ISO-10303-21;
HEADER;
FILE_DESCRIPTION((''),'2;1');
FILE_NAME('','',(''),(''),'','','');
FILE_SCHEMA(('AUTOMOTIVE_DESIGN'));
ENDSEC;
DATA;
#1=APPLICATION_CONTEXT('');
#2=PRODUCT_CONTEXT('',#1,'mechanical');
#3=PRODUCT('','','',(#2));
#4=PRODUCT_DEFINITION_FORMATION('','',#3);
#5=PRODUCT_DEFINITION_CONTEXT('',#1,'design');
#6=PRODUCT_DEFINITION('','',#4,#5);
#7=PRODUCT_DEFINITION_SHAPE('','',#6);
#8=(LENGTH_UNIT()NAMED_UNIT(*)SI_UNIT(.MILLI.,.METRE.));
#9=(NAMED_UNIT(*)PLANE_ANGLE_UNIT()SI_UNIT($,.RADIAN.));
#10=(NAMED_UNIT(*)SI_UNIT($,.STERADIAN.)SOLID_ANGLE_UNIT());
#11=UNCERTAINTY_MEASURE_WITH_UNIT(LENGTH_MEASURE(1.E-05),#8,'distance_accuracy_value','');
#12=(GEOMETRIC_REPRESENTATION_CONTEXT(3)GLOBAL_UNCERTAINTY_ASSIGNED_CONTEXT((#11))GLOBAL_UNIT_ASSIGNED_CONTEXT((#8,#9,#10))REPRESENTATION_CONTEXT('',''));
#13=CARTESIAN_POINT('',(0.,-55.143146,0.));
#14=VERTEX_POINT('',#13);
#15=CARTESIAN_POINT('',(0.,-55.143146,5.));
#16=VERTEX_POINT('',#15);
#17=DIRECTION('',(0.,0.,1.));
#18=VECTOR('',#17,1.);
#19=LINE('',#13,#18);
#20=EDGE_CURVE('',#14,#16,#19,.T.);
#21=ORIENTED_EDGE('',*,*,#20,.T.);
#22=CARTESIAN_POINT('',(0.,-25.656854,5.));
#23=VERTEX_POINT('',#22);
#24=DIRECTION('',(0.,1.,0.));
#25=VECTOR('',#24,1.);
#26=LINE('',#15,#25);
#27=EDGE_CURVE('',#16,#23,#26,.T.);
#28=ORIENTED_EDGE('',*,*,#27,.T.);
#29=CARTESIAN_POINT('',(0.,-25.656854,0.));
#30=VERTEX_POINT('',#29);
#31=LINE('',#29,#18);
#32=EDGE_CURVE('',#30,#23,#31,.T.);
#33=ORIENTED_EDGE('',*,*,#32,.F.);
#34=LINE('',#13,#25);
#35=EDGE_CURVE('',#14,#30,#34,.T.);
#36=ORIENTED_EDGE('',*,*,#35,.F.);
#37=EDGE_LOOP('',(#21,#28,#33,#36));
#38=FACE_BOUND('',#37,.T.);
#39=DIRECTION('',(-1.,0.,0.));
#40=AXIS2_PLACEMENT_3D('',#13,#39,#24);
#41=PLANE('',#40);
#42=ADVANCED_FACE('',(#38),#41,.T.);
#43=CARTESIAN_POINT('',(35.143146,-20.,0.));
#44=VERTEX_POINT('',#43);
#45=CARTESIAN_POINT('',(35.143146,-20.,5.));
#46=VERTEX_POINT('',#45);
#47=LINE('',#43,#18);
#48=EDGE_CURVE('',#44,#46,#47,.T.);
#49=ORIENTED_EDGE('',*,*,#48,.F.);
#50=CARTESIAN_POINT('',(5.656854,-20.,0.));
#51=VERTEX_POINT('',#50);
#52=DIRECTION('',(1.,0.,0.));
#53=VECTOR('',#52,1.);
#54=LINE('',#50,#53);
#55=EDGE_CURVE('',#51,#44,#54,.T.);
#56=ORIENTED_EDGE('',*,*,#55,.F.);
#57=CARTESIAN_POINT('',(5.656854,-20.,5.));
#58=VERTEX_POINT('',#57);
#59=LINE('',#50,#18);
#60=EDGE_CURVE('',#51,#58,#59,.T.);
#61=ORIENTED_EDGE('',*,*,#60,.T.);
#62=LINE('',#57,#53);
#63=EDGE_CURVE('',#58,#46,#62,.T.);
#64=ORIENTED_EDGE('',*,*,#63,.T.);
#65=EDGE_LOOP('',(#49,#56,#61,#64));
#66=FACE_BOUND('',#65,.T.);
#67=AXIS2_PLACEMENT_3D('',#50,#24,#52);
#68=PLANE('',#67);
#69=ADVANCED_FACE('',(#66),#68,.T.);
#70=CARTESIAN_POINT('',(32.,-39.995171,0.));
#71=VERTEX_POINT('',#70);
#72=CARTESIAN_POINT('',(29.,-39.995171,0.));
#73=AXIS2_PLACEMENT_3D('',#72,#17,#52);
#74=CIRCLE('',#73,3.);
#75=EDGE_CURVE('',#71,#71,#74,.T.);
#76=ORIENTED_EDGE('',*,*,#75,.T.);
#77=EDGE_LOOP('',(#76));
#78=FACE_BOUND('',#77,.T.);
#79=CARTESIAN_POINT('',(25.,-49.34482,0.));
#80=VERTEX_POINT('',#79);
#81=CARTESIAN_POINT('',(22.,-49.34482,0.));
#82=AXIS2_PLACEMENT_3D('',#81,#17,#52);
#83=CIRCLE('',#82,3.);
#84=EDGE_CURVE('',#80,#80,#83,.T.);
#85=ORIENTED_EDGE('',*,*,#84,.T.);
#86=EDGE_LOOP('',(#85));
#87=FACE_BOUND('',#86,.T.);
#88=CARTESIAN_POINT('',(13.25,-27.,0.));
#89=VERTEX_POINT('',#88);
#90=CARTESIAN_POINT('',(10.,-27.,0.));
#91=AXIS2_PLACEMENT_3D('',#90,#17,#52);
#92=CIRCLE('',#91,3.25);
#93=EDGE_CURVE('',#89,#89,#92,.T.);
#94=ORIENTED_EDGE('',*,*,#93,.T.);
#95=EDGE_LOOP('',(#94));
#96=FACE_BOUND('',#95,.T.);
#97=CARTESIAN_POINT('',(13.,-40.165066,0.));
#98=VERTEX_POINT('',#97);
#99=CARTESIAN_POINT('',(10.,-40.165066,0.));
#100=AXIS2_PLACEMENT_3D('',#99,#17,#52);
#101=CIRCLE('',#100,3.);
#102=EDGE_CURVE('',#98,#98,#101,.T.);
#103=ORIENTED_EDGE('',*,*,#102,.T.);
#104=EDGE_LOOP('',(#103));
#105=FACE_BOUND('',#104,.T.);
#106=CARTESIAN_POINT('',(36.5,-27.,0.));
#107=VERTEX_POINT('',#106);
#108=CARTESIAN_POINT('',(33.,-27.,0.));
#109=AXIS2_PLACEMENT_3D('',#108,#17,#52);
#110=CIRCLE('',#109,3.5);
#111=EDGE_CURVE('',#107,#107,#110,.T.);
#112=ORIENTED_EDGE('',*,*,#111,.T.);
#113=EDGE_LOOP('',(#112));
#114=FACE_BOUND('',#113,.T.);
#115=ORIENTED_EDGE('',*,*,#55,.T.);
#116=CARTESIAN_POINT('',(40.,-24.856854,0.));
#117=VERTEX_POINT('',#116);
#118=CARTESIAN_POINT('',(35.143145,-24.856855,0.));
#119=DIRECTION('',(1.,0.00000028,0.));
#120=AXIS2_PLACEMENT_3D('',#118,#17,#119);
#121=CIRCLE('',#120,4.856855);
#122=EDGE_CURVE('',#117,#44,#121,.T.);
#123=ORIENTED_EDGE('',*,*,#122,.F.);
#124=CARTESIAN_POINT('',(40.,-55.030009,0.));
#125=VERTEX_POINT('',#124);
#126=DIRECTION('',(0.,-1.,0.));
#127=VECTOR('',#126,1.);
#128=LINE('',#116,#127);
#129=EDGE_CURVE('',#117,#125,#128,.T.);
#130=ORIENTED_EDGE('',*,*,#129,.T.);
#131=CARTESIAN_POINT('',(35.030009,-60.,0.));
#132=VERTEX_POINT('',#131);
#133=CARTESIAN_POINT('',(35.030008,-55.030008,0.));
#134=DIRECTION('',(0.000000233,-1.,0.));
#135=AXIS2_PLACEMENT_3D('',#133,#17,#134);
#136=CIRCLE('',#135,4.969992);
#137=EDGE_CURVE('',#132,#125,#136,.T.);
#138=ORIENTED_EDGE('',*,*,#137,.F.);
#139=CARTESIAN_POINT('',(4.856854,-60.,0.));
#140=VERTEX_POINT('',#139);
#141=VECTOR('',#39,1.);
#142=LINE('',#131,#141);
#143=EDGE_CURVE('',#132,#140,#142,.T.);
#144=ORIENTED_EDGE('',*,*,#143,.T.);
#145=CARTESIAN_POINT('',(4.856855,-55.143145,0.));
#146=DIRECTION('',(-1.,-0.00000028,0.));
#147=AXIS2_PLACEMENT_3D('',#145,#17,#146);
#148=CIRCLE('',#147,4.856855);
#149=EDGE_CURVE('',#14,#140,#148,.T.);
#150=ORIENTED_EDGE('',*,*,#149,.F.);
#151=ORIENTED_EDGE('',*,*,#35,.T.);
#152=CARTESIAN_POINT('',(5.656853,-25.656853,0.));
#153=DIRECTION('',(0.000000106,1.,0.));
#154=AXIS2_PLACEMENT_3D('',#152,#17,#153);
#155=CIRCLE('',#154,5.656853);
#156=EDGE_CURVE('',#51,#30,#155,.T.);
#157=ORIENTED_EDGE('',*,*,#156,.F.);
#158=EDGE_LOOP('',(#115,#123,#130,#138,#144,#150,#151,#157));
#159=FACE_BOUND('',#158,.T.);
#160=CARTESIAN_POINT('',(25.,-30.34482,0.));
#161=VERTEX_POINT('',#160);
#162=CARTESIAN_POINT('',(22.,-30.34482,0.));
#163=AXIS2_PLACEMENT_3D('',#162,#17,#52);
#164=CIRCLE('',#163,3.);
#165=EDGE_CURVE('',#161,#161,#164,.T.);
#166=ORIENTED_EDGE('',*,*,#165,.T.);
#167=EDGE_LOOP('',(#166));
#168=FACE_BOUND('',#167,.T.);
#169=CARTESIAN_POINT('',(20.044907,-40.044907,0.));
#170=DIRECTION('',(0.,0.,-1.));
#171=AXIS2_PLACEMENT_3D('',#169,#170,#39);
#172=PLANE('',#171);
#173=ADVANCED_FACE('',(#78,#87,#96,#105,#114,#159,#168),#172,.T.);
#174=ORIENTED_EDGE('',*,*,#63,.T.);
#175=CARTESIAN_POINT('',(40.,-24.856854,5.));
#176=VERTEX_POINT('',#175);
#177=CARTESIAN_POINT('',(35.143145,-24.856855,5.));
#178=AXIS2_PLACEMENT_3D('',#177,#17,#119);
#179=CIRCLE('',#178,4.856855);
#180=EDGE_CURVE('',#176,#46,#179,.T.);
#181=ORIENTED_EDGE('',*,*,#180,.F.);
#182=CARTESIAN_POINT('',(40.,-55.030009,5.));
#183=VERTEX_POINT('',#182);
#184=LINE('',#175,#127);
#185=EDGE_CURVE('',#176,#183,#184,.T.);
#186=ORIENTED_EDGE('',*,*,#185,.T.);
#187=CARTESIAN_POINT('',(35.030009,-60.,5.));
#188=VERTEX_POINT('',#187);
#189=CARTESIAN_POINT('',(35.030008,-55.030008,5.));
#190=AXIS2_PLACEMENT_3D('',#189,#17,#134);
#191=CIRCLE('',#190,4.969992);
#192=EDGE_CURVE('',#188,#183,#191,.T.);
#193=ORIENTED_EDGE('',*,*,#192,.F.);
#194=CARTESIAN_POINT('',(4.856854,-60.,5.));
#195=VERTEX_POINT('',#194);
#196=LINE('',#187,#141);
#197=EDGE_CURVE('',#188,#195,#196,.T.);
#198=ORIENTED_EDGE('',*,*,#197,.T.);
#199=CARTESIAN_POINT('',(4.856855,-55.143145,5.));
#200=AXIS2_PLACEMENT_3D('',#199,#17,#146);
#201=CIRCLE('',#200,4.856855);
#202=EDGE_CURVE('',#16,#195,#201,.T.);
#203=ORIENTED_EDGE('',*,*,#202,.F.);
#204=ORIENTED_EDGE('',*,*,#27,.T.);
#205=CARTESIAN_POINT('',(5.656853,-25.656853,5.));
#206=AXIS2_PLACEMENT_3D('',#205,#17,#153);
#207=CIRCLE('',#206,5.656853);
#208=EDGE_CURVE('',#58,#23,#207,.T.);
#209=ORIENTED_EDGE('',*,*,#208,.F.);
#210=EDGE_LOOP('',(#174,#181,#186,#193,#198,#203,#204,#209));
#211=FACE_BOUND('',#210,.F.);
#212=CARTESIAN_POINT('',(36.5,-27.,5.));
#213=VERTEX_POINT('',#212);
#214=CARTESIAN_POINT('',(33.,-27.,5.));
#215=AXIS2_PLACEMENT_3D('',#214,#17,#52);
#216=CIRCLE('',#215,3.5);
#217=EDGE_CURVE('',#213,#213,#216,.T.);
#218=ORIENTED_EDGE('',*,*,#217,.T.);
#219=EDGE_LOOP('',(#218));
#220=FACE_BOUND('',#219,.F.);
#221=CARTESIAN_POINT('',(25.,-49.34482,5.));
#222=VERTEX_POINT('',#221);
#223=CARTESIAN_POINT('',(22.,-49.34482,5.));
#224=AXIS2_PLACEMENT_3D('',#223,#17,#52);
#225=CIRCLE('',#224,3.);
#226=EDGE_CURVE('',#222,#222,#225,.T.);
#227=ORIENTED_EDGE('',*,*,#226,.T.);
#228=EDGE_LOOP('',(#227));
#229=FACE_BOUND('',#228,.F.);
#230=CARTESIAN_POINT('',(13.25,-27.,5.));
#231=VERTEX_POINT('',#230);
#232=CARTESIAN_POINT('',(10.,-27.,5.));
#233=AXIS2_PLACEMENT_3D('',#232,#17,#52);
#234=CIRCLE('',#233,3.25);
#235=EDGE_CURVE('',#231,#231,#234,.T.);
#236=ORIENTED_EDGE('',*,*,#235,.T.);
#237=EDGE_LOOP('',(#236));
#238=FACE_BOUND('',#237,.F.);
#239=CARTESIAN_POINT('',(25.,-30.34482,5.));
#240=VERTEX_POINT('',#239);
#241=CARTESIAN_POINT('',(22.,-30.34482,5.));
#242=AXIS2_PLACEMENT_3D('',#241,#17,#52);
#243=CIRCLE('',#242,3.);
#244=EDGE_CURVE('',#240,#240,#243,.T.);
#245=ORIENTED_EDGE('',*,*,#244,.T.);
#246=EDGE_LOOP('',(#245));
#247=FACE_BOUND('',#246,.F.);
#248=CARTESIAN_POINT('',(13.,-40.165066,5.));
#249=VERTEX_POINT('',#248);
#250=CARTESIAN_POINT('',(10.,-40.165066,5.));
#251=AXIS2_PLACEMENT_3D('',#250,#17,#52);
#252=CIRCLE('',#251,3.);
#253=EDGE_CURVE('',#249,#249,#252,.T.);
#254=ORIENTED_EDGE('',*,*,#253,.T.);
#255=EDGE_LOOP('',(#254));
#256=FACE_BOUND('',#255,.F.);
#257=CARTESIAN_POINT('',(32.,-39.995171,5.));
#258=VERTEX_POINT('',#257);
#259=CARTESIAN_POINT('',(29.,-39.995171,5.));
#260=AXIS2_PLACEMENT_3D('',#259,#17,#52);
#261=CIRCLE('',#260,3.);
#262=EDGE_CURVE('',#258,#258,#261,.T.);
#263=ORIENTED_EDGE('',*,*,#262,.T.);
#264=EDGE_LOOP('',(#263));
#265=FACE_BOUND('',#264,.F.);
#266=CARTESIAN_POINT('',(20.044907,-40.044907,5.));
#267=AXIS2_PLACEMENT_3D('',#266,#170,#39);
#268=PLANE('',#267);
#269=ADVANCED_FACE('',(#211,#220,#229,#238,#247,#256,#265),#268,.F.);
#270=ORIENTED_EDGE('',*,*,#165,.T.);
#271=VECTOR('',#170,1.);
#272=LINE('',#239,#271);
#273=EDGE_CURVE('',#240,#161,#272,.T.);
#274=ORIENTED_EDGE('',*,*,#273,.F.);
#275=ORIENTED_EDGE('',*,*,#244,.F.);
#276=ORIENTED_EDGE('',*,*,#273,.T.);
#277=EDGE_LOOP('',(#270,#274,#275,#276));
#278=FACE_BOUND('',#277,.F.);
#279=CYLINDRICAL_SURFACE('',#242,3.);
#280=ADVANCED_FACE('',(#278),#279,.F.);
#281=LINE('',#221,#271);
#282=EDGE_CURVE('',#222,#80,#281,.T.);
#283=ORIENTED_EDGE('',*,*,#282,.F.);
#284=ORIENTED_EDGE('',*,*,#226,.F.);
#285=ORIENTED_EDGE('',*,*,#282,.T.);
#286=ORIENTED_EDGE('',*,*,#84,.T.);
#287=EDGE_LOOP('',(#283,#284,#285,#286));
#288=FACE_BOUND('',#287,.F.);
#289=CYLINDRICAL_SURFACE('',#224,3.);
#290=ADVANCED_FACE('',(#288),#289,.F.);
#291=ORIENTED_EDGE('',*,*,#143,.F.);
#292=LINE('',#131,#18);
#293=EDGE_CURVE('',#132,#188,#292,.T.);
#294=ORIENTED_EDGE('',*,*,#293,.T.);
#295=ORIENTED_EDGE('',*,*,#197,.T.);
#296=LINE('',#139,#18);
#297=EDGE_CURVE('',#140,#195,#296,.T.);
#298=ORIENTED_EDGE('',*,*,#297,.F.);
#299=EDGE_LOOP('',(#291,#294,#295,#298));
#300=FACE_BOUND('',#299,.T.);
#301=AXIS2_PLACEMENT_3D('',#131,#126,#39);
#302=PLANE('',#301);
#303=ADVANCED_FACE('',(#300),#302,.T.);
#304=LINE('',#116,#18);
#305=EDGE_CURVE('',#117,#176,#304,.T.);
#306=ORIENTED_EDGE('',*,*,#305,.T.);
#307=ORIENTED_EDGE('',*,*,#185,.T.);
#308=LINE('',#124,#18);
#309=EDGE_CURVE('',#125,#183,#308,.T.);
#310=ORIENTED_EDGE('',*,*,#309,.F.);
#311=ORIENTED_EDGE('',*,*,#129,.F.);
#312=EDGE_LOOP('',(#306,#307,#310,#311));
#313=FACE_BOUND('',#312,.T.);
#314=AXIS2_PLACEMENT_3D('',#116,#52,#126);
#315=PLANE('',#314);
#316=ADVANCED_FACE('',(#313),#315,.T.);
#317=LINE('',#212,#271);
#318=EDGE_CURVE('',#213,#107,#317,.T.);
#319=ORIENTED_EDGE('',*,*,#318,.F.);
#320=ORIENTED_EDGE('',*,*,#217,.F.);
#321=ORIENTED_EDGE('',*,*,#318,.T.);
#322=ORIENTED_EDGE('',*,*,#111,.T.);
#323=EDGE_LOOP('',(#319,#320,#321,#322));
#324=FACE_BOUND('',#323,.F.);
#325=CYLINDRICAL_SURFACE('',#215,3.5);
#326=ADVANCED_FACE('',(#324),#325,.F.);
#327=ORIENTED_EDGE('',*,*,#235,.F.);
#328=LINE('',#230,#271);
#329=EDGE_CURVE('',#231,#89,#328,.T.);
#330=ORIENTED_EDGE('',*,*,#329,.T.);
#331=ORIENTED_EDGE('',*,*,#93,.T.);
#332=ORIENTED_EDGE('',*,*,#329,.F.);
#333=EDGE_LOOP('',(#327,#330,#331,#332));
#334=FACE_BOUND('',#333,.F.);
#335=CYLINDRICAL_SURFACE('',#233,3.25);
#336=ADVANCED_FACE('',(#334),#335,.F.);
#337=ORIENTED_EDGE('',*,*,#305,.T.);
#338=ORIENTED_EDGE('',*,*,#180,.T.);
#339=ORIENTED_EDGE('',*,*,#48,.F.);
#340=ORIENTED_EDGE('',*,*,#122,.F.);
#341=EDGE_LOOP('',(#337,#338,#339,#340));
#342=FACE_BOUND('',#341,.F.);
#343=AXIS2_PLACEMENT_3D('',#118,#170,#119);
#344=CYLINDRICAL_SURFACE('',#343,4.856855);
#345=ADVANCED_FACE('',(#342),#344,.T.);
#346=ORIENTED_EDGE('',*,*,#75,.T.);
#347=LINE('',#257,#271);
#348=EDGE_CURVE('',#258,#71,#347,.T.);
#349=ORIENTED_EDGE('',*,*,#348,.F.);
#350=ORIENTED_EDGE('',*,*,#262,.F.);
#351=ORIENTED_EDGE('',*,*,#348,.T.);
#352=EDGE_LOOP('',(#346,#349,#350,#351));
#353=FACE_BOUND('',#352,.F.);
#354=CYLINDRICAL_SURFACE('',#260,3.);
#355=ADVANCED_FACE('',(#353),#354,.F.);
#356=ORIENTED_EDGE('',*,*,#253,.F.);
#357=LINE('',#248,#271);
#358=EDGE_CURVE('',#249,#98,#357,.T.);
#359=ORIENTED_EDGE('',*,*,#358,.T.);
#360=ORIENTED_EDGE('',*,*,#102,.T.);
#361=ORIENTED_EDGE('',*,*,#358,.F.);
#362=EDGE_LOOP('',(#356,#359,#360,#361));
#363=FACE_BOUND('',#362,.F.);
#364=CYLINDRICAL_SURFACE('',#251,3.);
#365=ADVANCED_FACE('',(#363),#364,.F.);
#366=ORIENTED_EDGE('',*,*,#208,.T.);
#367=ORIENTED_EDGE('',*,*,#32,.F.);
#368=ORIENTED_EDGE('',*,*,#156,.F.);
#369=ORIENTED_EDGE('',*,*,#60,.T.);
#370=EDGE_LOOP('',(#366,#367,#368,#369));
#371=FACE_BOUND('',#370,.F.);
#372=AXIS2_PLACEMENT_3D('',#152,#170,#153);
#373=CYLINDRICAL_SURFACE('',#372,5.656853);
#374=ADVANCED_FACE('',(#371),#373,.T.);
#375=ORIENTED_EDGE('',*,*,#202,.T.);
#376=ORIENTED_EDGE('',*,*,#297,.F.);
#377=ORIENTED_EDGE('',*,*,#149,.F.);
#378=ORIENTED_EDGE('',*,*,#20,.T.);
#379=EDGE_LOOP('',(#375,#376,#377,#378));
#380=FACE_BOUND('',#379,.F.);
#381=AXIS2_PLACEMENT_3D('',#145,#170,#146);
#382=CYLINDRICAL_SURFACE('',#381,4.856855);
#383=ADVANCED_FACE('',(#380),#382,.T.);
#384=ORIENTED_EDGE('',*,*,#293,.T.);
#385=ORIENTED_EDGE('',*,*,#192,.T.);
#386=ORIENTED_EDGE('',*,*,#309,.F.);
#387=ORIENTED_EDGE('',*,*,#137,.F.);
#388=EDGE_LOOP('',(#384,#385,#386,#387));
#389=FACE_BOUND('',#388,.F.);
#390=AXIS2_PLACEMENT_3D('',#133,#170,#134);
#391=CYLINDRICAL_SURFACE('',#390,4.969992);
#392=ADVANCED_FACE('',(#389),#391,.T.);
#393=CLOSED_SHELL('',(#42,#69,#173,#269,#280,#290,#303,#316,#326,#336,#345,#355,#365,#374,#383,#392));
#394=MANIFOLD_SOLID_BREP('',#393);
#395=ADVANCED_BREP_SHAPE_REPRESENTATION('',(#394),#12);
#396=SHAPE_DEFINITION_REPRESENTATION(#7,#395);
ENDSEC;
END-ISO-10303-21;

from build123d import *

# Parameters (mm, degrees)
PAD002_DEPTH    = 5
SKETCH004_R     = 3
POCKET001_DEPTH = 5.001
SKETCH006_R     = 3
POCKET002_DEPTH = 5.001
SKETCH007_R     = 3.5
POCKET003_DEPTH = 5.001
SKETCH008_R     = 3.25
POCKET004_DEPTH = 5.001


with BuildPart() as part:
    # Sketch003 → Pad002 (new body)
    with BuildSketch(Plane.XY):
        with BuildLine():
            Line((5.656854, -20), (35.143146, -20))
            ThreePointArc((40, -24.856854), (38.57746, -21.42254), (35.143146, -20))
            Line((40, -24.856854), (40, -55.030009))
            ThreePointArc((35.030009, -60), (38.544323, -58.544323), (40, -55.030009))
            Line((35.030009, -60), (4.856854, -60))
            ThreePointArc((0, -55.143146), (1.42254, -58.57746), (4.856854, -60))
            Line((0, -55.143146), (0, -25.656854))
            ThreePointArc((5.656854, -20), (1.656854, -21.656854), (0, -25.656854))
        make_face()
    extrude(amount=PAD002_DEPTH)

    # Sketch004 (on Face10 of Pad002) → Pocket001 (cut, through all)
    with BuildSketch(Plane.XY.offset(5)):
        with Locations((22, -49.34482)):
            Circle(SKETCH004_R)
        with Locations((22, -30.34482)):
            Circle(SKETCH004_R)
    extrude(amount=-POCKET001_DEPTH, mode=Mode.SUBTRACT)

    # Sketch006 (on Face5 of Pocket001) → Pocket002 (cut, through all)
    with BuildSketch(Plane.XY.offset(5)):
        with Locations((10, -40.165066)):
            Circle(SKETCH006_R)
        with Locations((29, -39.995171)):
            Circle(SKETCH006_R)
    extrude(amount=-POCKET002_DEPTH, mode=Mode.SUBTRACT)

    # Sketch007 (on Face5 of Pocket002) → Pocket003 (cut, through all)
    with BuildSketch(Plane.XY.offset(5)):
        with Locations((33, -27)):
            Circle(SKETCH007_R)
    extrude(amount=-POCKET003_DEPTH, mode=Mode.SUBTRACT)

    # Sketch008 (on Face5 of Pocket003) → Pocket004 (cut, through all)
    with BuildSketch(Plane.XY.offset(5)):
        with Locations((10, -27)):
            Circle(SKETCH008_R)
    extrude(amount=-POCKET004_DEPTH, mode=Mode.SUBTRACT)


solid = part.part
